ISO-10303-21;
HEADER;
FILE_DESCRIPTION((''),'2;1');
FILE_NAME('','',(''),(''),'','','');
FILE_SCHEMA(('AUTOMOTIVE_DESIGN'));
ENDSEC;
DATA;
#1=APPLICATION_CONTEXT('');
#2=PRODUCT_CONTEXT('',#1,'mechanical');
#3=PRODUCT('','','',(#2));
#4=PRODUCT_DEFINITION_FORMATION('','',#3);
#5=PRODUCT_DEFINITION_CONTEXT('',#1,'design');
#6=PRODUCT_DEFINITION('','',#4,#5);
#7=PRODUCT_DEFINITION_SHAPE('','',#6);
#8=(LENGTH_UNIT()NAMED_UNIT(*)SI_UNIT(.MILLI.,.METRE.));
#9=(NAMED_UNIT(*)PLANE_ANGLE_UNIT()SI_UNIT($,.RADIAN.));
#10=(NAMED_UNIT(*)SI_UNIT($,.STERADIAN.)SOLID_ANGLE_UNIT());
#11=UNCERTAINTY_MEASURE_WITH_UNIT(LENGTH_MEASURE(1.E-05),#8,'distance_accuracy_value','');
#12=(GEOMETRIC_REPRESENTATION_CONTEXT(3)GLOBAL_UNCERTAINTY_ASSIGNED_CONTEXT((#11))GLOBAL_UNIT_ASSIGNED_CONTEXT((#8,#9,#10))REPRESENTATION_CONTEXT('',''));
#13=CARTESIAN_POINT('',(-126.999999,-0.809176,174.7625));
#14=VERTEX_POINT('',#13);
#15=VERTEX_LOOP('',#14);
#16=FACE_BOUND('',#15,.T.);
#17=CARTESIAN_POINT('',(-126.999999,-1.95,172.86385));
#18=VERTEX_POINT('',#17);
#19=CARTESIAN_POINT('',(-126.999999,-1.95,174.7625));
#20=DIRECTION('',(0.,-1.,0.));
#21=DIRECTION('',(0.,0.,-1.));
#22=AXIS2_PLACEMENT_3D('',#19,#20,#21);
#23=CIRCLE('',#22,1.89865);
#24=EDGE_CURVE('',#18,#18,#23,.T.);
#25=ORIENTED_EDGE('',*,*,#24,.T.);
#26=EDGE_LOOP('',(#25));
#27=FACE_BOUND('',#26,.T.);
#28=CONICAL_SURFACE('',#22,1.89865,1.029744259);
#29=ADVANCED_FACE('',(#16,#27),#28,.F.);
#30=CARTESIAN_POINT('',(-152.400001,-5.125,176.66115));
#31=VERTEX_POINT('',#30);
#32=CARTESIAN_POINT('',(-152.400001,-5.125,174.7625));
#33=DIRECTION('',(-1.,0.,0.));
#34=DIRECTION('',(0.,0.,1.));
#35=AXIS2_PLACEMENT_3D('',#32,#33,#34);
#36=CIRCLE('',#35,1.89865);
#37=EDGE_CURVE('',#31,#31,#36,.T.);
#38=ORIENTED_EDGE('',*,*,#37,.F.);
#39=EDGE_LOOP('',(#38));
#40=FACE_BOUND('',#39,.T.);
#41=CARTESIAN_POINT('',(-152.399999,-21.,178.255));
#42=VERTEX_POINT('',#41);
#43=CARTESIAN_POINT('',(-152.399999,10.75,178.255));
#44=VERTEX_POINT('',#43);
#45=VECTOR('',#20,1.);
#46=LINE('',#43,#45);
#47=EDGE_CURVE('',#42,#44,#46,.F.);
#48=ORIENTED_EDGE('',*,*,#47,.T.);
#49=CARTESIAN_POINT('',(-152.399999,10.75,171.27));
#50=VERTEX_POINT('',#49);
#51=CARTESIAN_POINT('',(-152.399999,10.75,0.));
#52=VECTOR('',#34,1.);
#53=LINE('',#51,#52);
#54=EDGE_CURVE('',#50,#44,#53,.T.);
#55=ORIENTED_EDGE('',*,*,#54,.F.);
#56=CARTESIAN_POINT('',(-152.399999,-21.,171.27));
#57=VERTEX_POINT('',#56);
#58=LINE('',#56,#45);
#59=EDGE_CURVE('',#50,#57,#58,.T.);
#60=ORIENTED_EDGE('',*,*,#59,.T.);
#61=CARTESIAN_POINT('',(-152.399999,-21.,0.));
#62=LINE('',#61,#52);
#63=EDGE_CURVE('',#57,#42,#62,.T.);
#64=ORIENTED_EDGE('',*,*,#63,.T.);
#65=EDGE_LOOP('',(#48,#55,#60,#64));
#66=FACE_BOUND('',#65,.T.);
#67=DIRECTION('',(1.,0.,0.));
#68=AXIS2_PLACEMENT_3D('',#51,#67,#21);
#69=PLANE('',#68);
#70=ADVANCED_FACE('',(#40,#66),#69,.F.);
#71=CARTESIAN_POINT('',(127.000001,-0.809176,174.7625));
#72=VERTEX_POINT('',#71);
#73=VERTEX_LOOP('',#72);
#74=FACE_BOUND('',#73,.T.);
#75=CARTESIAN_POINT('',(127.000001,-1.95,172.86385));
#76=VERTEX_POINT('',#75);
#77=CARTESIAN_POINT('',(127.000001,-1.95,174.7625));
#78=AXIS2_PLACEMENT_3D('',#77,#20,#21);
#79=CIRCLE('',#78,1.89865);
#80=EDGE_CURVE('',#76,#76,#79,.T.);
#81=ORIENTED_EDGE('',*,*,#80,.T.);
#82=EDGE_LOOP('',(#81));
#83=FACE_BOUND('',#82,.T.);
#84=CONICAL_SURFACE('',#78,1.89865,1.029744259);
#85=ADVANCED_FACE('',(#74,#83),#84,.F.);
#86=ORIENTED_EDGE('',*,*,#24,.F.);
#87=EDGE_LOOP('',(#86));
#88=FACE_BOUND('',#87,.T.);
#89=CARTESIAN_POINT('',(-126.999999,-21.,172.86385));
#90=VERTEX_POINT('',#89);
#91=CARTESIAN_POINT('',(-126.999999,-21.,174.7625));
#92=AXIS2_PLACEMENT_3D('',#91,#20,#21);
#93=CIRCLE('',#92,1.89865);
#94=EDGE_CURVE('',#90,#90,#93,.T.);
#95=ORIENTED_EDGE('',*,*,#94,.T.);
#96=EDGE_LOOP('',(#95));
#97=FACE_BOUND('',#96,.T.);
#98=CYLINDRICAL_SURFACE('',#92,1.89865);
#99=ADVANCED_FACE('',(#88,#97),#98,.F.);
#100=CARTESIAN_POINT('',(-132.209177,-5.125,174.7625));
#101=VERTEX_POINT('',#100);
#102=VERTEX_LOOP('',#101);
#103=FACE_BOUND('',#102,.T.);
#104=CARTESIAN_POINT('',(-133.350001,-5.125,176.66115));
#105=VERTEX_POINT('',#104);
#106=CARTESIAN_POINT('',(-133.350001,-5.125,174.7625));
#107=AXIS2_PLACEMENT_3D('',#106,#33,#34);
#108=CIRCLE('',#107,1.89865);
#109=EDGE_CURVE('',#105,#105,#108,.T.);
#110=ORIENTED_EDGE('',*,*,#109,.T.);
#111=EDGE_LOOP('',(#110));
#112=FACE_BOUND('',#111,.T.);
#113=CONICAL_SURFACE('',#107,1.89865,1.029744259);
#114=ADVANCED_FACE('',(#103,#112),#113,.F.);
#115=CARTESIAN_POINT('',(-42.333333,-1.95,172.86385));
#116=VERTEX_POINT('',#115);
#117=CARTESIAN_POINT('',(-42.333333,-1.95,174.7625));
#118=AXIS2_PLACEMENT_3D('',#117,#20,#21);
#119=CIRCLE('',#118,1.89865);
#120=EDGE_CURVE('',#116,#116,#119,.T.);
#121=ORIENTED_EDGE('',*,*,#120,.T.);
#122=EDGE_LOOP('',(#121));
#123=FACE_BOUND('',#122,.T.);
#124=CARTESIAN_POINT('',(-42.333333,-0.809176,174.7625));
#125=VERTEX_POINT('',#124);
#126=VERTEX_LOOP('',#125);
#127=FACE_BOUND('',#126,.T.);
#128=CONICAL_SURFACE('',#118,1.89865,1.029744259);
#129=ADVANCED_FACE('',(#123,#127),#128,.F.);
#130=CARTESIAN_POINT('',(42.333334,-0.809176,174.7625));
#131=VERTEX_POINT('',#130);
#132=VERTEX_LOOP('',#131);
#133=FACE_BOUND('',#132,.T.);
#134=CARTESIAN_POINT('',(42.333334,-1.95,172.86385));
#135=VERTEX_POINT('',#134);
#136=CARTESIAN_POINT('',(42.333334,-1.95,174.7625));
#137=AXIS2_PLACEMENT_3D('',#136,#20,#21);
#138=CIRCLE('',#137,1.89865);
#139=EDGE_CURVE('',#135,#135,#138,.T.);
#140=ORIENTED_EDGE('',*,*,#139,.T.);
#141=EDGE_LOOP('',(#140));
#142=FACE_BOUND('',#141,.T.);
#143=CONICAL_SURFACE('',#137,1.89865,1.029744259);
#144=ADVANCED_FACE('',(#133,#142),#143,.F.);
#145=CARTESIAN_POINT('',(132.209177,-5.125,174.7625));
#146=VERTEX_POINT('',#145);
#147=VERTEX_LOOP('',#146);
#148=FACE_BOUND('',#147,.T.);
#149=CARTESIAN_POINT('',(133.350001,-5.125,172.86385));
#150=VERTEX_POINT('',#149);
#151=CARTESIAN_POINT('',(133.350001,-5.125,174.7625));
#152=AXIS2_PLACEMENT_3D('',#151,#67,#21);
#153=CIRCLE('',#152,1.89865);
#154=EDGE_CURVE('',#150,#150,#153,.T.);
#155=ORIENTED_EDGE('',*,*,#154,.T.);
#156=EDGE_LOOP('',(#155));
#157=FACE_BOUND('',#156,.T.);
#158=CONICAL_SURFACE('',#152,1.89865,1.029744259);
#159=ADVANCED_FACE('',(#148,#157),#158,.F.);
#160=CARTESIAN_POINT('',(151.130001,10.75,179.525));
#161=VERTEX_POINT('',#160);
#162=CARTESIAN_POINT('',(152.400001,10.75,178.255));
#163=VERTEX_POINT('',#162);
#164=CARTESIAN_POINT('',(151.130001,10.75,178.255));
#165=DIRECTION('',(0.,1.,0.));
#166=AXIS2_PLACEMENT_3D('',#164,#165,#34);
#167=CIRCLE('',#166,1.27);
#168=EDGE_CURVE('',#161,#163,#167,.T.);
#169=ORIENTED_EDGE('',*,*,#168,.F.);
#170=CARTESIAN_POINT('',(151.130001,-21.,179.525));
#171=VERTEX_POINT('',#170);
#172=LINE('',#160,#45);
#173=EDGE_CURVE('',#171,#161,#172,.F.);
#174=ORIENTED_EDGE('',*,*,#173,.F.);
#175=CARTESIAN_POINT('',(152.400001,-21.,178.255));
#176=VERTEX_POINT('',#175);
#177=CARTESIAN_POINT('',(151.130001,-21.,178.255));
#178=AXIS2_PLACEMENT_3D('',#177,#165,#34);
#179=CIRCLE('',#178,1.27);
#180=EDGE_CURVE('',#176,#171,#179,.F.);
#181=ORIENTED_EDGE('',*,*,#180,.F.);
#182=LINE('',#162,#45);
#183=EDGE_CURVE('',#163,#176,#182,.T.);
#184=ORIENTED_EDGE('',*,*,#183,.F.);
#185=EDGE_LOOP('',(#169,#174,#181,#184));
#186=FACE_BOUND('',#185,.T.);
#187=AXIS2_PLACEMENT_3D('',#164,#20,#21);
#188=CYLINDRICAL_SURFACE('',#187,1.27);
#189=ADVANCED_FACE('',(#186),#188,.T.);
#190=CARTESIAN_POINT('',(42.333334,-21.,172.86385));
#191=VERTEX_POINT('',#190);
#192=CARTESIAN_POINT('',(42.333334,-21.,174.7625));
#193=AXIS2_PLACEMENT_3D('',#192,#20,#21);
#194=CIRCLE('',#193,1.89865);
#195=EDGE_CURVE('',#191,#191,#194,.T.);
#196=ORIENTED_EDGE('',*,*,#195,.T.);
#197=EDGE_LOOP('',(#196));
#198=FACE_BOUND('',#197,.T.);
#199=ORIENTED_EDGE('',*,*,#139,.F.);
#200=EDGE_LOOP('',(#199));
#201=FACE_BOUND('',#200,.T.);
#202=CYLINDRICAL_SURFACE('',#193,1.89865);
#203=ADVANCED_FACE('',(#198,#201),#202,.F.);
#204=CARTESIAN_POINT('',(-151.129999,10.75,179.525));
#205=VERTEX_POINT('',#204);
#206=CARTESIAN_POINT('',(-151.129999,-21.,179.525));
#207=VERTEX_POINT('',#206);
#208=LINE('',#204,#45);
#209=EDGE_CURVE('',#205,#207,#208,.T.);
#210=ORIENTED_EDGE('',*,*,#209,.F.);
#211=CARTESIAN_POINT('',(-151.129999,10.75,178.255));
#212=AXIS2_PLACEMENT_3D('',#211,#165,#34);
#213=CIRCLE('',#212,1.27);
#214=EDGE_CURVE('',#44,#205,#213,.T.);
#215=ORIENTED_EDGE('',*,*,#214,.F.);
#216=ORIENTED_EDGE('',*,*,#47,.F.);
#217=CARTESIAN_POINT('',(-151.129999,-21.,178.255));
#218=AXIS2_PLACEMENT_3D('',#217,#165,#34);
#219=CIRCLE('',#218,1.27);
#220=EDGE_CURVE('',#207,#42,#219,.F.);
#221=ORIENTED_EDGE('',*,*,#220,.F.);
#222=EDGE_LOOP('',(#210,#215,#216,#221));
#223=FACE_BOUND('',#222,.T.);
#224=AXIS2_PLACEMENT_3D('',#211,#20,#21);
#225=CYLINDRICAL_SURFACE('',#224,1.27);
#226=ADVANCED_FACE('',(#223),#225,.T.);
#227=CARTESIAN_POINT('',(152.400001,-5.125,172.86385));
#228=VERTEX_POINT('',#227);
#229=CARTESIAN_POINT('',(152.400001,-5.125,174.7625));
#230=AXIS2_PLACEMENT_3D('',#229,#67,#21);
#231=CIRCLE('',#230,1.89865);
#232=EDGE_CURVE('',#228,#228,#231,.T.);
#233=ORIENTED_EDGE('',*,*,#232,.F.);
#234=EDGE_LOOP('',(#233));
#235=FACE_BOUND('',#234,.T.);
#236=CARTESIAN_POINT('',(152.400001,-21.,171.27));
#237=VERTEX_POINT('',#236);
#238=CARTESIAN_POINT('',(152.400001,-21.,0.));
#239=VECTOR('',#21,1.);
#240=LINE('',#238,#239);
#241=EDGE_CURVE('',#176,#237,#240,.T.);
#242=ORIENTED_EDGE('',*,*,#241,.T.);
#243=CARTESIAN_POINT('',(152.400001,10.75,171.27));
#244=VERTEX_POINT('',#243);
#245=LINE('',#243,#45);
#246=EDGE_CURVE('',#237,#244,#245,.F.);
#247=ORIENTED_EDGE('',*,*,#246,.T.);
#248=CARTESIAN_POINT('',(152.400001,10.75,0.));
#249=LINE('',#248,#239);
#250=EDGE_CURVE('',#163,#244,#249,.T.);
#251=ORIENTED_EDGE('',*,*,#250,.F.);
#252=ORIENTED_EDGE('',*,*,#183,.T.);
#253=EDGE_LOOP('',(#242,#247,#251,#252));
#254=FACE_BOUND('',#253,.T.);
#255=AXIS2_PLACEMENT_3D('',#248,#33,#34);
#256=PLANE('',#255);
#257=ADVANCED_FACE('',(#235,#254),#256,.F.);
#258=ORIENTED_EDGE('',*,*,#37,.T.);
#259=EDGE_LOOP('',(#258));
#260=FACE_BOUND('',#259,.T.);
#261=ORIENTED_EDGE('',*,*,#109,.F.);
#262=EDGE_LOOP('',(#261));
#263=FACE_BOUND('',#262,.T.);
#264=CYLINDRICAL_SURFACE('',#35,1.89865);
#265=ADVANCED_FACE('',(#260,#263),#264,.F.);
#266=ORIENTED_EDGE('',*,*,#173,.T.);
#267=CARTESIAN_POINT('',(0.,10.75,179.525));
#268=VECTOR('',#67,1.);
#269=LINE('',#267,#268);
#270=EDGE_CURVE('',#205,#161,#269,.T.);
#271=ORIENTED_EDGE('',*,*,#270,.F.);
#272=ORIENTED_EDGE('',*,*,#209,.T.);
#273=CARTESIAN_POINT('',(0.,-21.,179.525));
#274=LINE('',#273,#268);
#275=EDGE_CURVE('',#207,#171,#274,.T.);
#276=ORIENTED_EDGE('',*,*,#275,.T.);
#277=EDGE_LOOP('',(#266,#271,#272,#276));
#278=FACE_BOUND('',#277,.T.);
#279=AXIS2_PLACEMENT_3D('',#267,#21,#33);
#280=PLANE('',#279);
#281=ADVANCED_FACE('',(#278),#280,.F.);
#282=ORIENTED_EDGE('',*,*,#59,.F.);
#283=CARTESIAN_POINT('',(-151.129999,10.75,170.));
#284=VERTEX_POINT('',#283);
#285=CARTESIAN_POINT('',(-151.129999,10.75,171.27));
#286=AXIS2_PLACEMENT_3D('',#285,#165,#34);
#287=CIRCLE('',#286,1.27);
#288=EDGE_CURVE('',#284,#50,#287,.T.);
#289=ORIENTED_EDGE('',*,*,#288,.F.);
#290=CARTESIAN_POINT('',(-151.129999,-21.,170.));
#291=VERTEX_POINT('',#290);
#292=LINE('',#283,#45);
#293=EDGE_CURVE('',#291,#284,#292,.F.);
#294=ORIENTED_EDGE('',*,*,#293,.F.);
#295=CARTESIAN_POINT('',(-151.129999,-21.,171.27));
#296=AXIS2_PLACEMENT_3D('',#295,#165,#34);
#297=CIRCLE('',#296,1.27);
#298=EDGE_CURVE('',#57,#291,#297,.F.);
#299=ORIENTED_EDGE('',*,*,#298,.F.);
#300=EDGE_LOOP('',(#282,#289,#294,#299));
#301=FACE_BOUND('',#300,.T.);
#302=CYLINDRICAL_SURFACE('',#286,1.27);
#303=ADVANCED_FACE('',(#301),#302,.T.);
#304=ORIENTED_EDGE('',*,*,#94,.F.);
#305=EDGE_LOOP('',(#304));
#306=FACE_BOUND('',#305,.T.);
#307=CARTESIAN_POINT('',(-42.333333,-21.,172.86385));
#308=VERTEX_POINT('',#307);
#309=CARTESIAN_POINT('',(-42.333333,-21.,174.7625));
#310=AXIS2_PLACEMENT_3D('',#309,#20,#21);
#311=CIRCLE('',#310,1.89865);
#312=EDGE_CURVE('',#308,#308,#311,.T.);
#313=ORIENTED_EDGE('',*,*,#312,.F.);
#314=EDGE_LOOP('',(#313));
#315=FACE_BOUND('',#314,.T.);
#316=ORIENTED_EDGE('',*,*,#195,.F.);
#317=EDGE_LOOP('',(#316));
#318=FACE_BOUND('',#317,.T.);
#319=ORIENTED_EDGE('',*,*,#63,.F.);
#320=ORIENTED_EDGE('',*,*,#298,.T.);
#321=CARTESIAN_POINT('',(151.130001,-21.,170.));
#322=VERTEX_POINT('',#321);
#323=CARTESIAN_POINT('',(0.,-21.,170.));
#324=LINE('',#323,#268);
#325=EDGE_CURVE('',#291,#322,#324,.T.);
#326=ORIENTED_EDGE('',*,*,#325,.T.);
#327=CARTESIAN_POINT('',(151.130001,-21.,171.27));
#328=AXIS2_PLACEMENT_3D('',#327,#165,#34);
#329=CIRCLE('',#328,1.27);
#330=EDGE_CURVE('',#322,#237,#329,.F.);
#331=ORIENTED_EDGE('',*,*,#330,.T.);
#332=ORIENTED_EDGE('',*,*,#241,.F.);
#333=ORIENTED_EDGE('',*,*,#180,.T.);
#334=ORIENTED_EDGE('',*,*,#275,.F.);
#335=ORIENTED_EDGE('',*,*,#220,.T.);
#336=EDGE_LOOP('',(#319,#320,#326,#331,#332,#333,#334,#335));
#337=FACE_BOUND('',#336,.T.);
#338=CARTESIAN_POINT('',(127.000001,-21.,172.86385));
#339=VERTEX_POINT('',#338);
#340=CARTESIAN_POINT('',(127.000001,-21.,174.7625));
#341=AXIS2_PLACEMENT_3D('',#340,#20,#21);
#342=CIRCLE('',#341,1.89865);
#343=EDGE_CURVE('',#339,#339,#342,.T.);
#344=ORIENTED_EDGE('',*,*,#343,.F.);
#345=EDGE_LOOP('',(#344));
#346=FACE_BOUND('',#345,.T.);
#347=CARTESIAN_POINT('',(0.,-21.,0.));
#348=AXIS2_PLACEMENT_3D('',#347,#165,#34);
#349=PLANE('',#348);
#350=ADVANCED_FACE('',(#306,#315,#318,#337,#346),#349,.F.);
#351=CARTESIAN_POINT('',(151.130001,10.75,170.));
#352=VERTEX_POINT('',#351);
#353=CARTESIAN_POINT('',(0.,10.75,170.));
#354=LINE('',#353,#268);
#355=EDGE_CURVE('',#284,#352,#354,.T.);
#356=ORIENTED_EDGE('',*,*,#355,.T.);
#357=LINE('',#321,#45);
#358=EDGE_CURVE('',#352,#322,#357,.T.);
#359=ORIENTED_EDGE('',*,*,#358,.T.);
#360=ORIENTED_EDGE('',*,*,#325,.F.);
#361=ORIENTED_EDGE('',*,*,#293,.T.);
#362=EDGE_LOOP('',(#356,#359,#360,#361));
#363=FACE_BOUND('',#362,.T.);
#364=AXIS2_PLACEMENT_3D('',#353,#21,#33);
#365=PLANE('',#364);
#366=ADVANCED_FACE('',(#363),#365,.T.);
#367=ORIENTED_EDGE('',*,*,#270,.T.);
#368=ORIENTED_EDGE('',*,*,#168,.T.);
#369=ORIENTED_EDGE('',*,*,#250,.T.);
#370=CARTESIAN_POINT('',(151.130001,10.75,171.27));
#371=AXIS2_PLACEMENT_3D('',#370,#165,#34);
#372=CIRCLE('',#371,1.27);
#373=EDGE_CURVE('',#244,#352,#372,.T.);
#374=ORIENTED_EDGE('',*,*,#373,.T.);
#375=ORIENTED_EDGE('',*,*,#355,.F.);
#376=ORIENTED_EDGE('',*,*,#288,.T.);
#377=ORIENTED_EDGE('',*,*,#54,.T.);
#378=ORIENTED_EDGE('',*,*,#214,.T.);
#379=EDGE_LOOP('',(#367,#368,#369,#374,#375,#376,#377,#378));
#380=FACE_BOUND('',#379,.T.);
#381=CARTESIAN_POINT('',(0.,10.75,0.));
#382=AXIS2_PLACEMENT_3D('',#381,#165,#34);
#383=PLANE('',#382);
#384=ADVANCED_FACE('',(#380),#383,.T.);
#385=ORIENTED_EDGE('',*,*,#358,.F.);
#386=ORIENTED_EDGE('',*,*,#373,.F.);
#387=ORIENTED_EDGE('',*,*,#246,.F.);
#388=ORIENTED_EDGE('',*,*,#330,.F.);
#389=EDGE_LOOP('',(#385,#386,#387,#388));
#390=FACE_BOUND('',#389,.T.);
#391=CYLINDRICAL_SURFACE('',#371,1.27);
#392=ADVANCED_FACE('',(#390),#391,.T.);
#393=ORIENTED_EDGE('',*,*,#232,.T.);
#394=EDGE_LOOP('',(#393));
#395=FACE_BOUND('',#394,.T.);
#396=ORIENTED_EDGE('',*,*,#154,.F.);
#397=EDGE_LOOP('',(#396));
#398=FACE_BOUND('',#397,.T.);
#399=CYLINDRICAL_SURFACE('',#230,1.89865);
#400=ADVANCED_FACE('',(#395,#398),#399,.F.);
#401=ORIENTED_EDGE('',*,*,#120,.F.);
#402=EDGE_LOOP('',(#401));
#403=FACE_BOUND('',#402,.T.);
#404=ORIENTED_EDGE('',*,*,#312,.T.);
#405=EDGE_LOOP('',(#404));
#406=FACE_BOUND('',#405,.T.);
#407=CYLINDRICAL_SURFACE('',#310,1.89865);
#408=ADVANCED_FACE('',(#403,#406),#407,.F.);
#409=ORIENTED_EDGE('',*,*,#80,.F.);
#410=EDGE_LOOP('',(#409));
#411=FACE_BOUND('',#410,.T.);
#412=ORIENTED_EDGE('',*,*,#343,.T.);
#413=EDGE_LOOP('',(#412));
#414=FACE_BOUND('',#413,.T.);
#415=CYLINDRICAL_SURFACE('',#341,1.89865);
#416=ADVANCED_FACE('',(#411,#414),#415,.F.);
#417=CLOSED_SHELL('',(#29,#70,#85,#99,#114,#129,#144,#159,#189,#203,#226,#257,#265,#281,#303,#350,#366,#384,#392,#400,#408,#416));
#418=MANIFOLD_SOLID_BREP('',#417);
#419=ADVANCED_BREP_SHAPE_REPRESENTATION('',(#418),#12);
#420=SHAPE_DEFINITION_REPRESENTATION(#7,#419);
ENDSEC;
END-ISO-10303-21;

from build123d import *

# Parameters (mm, degrees)
SKETCH1_W                  = 304.8
SKETCH1_H                  = 9.525
BOSS_EXTRUDE1_DEPTH        = 31.75
F_10_24_TAPPED_HOLE1_D     = 3.7973
F_10_24_TAPPED_HOLE1_DEPTH = 19.05
F_10_24_TAPPED_HOLE1_TIP   = 1.140824014
FILLET1_R                  = 1.27


with BuildPart() as part:
    # Sketch1 → Boss-Extrude1 (new body)
    with BuildSketch(Plane(origin=(0, -21, 0), x_dir=(1, 0, 0), z_dir=(0, 1, 0))):
        with Locations((6.69e-07, -174.7625)):
            Rectangle(SKETCH1_W, SKETCH1_H)
    extrude(amount=BOSS_EXTRUDE1_DEPTH)

    # #10-24 Tapped Hole1
    with Locations(Plane(origin=(0, -21, 0), x_dir=(-1, 0, 0), z_dir=(0, -1, 0))):
        with Locations((-127.000000669, -174.7625), (-42.333334002, -174.7625), (126.999999331, -174.7625), (42.333332664, -174.7625)):
            Hole(F_10_24_TAPPED_HOLE1_D / 2, depth=F_10_24_TAPPED_HOLE1_DEPTH)
            with Locations((0, 0, -(F_10_24_TAPPED_HOLE1_DEPTH + F_10_24_TAPPED_HOLE1_TIP / 2))):  # 118° drill point
                Cone(0, F_10_24_TAPPED_HOLE1_D / 2, F_10_24_TAPPED_HOLE1_TIP, mode=Mode.SUBTRACT)

    # Sketch5 → #10-24 Tapped Hole2 (revolve, cut)
    with BuildSketch(Plane(origin=(152.400000669, -5.125, 174.7625), x_dir=(0, 0, -1), z_dir=(0, 1, 0))):
        Polygon((0, 0), (0, 20.190824014), (1.89865, 19.05), (1.89865, 0), align=None)
    f_10_24_tapped_hole2 = revolve(axis=Axis((158.750000669, -5.125, 174.7625), (-1, 0, 0)), mode=Mode.SUBTRACT)

    # Mirror1: #10-24 Tapped Hole2 across plane
    add(f_10_24_tapped_hole2.mirror(Plane(origin=(0, 0, 0), x_dir=(0, 0, 1), z_dir=(1, 0, 0))), mode=Mode.SUBTRACT)

    # Fillet1
    fillet1_edges = [part.edges().sort_by_distance(p)[0] for p in [
        (152.400000669, -5.125, 170),
        (152.400000669, -5.125, 179.525),
        (-152.399999331, -5.125, 179.525),
        (-152.399999331, -5.125, 170),
    ]]
    fillet(fillet1_edges, radius=FILLET1_R)


solid = part.part
